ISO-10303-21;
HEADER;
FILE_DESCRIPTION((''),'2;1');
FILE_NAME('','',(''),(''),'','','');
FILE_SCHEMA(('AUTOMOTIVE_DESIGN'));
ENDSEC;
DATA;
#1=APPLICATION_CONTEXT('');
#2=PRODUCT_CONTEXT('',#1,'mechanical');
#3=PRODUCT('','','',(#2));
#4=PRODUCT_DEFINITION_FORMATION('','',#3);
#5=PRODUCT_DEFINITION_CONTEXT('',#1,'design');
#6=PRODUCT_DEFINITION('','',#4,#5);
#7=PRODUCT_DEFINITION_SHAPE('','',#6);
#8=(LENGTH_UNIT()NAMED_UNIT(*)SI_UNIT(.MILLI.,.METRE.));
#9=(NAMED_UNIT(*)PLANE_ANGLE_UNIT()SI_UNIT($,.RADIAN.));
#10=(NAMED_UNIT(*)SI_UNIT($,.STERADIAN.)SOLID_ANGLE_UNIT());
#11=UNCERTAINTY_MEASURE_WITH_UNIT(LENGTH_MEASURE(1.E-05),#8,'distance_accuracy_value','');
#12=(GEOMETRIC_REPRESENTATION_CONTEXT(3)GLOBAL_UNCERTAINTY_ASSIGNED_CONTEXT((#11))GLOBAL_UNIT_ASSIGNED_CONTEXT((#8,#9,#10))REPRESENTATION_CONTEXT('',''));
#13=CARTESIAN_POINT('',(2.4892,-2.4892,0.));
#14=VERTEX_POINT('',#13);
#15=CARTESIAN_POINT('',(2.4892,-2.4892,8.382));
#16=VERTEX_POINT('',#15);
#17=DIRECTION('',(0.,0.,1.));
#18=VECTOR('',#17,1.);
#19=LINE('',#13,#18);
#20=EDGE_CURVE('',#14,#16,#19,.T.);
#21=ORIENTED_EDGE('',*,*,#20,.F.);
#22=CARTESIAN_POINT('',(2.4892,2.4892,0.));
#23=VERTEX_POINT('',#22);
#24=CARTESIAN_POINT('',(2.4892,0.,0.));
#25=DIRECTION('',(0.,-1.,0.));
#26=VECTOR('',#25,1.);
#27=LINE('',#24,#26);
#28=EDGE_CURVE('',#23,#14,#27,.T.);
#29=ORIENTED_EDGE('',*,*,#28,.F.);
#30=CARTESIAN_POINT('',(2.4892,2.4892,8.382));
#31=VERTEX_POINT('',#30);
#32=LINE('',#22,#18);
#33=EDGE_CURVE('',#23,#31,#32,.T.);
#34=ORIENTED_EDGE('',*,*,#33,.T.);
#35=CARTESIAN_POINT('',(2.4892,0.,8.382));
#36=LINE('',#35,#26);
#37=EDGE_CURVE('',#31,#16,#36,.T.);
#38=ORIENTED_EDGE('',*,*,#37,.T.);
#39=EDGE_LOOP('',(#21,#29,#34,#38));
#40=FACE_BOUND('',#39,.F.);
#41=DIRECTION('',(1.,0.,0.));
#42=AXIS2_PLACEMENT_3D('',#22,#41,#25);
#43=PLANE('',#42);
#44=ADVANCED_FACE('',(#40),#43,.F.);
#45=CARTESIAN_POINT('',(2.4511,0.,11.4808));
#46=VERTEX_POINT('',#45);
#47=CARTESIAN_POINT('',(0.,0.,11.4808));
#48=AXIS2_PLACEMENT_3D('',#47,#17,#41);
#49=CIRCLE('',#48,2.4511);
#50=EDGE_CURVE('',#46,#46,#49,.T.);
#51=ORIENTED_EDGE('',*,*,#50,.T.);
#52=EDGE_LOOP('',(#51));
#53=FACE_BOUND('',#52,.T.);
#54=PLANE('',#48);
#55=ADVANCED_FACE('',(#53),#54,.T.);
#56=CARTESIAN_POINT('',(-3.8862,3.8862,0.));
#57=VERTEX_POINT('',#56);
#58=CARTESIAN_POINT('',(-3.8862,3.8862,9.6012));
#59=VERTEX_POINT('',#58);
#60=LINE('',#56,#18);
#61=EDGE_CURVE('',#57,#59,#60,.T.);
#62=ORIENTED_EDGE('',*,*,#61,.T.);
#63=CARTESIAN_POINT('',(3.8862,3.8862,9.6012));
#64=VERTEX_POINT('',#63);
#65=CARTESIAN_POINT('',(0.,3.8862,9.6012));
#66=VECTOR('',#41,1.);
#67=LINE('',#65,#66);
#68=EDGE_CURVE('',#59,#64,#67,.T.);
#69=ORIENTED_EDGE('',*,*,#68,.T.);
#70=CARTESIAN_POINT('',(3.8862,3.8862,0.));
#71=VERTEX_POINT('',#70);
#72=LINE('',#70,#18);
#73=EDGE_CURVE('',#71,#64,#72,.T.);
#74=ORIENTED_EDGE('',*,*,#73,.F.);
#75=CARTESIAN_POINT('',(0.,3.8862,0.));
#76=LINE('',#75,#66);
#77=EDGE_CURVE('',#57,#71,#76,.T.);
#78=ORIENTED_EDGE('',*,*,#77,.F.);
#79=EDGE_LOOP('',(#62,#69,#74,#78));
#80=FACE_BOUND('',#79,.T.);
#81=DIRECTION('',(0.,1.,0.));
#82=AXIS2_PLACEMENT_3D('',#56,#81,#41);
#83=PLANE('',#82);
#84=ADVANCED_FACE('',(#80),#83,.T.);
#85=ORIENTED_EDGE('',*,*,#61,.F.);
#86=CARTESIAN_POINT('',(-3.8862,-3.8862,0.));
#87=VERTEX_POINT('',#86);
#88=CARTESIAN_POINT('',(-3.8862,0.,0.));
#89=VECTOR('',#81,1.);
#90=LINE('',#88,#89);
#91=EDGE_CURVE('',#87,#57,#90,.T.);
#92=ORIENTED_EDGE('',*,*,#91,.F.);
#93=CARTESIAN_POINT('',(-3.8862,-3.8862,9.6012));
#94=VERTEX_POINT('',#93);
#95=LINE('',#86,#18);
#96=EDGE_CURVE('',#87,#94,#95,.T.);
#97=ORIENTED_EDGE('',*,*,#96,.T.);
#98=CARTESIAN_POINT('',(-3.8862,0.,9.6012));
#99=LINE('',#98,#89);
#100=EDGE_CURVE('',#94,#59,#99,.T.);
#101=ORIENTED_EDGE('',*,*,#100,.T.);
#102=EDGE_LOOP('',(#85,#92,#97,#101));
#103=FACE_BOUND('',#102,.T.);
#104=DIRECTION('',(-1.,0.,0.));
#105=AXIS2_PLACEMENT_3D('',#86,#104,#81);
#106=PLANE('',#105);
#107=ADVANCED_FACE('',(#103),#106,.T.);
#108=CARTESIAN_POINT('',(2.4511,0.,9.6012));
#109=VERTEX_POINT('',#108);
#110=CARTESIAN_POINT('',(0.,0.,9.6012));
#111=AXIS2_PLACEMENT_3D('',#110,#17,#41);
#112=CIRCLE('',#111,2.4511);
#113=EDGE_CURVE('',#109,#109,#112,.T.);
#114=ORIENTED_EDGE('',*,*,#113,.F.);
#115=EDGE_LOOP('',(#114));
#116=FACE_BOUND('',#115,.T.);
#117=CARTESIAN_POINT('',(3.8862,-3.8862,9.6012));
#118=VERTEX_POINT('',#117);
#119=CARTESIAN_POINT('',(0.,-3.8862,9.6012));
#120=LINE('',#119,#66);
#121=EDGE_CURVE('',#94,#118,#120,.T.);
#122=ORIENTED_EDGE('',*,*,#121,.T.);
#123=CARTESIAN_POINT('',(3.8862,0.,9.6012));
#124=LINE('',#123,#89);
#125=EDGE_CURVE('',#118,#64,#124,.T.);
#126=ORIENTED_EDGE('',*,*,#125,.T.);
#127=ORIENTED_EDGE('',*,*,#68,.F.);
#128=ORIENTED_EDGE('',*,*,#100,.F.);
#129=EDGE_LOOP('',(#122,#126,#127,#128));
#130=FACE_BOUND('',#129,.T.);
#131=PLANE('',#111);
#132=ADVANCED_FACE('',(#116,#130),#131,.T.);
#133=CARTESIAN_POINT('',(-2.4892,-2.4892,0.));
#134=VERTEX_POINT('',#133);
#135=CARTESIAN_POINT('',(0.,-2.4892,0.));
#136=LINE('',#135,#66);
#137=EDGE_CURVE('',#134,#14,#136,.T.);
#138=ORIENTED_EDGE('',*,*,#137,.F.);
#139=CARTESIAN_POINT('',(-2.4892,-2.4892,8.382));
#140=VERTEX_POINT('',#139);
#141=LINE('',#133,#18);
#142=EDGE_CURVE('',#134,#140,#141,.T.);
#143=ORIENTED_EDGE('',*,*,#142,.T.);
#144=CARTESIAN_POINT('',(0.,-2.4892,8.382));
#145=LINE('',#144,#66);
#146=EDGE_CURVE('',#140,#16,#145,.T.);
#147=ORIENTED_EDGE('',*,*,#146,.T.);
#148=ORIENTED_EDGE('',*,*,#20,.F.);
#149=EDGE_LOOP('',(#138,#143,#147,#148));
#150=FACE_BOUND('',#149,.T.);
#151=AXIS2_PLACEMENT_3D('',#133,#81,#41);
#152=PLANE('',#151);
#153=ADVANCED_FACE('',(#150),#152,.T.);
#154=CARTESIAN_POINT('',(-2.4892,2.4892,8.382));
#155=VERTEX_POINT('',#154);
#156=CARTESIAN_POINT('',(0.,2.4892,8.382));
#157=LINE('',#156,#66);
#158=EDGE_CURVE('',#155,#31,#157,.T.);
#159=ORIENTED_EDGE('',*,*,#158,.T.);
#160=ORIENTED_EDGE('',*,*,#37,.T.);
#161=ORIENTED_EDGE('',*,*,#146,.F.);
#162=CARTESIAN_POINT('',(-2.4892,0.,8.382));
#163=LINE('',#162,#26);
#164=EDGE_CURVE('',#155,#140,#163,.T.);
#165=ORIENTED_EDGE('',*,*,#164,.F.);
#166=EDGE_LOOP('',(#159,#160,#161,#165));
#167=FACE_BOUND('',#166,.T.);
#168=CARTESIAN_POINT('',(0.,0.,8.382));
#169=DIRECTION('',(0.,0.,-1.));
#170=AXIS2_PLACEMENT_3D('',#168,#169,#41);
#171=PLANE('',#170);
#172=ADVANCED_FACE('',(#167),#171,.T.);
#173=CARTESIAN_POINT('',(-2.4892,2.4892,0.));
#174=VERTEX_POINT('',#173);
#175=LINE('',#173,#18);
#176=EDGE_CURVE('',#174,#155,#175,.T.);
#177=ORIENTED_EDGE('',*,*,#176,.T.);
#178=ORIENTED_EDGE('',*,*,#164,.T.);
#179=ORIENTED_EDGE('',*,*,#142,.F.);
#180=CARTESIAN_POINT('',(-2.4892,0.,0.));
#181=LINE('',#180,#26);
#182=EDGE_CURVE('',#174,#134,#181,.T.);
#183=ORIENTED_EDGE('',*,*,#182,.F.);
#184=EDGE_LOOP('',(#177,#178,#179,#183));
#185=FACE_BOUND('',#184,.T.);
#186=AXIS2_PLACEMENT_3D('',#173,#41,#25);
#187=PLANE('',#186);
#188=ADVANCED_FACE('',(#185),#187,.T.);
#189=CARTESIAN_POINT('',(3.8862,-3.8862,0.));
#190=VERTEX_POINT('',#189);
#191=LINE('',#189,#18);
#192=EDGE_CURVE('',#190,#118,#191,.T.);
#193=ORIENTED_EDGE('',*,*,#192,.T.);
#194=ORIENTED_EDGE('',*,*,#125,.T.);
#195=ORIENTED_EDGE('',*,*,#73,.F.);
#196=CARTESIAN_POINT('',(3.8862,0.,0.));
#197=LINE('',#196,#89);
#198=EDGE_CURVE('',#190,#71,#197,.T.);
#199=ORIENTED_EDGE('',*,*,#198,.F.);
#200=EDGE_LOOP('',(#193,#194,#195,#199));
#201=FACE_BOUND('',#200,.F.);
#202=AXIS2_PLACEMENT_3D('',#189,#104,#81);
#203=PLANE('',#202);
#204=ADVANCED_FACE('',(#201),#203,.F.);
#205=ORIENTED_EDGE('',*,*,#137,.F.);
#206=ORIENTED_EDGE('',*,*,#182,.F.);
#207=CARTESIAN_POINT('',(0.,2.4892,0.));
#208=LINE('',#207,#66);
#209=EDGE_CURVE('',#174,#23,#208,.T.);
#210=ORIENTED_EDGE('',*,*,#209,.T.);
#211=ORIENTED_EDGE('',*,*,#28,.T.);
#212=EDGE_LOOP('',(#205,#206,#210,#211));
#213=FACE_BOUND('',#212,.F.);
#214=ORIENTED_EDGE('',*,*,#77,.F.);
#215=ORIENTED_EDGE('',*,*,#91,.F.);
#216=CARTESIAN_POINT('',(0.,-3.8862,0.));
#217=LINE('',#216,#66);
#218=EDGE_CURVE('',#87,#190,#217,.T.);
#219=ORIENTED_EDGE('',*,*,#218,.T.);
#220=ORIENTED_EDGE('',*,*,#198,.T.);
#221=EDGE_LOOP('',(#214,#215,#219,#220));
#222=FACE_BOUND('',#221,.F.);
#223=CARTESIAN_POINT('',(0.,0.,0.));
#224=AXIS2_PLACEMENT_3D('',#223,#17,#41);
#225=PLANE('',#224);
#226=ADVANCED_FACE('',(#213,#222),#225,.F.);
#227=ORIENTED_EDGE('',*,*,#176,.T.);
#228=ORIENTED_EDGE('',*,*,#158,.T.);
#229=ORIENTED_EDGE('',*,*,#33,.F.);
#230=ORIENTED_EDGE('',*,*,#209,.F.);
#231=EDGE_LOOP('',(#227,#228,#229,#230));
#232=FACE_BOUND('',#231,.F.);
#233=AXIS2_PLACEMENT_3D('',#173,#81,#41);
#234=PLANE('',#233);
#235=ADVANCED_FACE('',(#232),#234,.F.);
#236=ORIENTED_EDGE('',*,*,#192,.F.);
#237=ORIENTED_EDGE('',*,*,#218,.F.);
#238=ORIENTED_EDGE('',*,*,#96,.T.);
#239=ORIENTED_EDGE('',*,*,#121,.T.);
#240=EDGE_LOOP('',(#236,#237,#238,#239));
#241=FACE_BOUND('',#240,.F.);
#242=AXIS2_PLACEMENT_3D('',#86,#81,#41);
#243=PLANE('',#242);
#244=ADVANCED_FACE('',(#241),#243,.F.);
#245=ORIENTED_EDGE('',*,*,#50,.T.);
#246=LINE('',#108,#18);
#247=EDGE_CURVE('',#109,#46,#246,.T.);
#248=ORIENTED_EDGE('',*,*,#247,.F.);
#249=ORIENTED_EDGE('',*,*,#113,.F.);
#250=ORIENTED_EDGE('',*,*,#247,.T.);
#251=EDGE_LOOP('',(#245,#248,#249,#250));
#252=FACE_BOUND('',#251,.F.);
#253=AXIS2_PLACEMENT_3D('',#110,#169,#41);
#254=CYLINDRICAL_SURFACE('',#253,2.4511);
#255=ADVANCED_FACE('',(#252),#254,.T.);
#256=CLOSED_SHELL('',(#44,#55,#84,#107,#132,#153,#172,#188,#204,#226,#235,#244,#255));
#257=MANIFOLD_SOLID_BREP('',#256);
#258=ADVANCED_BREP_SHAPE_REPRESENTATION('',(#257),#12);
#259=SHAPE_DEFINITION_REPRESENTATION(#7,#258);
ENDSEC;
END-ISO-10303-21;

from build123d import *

# Parameters (mm, degrees)
F0_W     = 7.7724
F0_H     = 7.7724
F1_DEPTH = 9.6012
F2_R     = 2.4511
F3_DEPTH = 1.8796
F4_W     = 4.9784
F4_H     = 4.9784
F5_DEPTH = 8.382


with BuildPart() as f1:
    # F0 (on Top) → F1 (new body)
    with BuildSketch(Plane.XY):
        Rectangle(F0_W, F0_H)
    extrude(amount=F1_DEPTH)

    # F2 (on face) → F3 (join)
    with BuildSketch(Plane.XY.offset(9.6012)):
        Circle(F2_R)
    extrude(amount=F3_DEPTH)

    # F4 (on face) → F5 (cut)
    with BuildSketch(Plane(origin=(0, 0, 0), x_dir=(1, 0, 0), z_dir=(0, 0, -1))):
        Rectangle(F4_W, F4_H)
    extrude(amount=-F5_DEPTH, mode=Mode.SUBTRACT)


solid = f1.part
